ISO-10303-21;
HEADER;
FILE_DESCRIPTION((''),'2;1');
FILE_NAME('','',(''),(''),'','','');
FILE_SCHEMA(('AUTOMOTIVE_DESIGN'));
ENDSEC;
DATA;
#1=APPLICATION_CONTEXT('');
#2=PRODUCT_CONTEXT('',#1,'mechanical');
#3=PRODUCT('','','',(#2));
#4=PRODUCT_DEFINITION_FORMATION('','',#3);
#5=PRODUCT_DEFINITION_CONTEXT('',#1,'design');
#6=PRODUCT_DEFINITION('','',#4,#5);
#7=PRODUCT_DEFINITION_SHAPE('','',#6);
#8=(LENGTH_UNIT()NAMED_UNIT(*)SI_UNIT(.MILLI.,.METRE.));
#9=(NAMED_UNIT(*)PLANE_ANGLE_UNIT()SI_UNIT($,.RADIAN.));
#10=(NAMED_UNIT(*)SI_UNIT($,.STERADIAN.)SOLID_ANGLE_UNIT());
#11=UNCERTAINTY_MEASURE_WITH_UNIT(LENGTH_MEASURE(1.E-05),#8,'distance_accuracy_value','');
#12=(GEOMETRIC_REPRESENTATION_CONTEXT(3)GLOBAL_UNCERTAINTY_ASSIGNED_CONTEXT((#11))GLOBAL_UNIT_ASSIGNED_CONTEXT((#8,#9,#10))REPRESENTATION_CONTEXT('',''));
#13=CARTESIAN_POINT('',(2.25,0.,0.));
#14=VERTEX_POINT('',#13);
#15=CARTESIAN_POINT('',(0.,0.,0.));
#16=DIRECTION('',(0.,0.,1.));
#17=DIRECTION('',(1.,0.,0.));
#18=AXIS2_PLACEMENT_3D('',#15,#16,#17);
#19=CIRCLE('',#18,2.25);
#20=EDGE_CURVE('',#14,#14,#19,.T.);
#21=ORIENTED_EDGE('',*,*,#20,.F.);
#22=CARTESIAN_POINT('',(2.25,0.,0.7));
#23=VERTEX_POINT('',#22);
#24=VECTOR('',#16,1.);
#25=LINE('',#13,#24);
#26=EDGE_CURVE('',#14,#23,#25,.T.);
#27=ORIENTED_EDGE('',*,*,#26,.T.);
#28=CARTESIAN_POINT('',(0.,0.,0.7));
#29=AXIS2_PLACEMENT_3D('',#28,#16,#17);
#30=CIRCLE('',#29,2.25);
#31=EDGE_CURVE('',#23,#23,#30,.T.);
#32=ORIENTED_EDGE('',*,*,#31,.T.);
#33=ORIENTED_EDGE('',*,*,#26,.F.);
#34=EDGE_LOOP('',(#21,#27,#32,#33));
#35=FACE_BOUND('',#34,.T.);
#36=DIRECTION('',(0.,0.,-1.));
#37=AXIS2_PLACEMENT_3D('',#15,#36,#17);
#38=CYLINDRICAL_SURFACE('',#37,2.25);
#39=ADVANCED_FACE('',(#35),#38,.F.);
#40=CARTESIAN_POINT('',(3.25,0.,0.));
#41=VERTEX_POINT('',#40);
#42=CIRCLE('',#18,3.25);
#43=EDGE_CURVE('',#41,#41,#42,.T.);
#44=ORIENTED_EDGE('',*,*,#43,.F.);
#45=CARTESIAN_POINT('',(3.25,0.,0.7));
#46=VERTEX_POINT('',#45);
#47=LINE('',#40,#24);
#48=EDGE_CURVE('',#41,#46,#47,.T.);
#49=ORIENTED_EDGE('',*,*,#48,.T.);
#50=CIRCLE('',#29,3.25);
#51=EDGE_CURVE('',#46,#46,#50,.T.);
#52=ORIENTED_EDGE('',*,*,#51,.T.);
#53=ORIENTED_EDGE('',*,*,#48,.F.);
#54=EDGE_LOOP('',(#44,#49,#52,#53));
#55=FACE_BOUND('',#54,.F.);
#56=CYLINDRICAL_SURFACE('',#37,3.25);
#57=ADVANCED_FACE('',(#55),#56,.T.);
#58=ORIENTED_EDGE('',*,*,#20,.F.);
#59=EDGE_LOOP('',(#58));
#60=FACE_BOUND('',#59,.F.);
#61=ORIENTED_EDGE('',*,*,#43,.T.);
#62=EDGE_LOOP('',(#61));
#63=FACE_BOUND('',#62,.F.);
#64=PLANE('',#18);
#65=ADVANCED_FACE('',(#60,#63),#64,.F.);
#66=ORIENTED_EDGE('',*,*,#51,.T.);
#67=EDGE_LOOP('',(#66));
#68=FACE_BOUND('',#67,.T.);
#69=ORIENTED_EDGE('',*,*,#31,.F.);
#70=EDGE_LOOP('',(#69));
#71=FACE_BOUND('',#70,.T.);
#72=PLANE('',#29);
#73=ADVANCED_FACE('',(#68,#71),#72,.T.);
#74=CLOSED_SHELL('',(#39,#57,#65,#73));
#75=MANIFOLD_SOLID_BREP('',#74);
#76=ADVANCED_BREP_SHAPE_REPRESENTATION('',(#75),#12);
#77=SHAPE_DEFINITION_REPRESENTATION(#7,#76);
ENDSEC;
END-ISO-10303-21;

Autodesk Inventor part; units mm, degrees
ref_plane "YZ Plane" through (0, 0, 0) normal (1, 0, 0) x (0, 1, 0)
ref_plane "XZ Plane" through (0, 0, 0) normal (0, 1, 0) x (-1, 0, 0)
ref_plane "XY Plane" through (0, 0, 0) normal (0, 0, 1) x (1, 0, 0)
sketch "Sketch1" plane through (0, 0, 0) normal (0, 0, 1) x (1, 0, 0)
  circle A0 centre (0, 0) radius 3.25
  circle A1 centre (0, 0) radius 2.25
  dimension "d0" = 6.5
  dimension "d1" = 4.5
extrude "Extrusion1" add sketch "Sketch1" along normal blind 0.7
properties part number "Washers 4mm"
